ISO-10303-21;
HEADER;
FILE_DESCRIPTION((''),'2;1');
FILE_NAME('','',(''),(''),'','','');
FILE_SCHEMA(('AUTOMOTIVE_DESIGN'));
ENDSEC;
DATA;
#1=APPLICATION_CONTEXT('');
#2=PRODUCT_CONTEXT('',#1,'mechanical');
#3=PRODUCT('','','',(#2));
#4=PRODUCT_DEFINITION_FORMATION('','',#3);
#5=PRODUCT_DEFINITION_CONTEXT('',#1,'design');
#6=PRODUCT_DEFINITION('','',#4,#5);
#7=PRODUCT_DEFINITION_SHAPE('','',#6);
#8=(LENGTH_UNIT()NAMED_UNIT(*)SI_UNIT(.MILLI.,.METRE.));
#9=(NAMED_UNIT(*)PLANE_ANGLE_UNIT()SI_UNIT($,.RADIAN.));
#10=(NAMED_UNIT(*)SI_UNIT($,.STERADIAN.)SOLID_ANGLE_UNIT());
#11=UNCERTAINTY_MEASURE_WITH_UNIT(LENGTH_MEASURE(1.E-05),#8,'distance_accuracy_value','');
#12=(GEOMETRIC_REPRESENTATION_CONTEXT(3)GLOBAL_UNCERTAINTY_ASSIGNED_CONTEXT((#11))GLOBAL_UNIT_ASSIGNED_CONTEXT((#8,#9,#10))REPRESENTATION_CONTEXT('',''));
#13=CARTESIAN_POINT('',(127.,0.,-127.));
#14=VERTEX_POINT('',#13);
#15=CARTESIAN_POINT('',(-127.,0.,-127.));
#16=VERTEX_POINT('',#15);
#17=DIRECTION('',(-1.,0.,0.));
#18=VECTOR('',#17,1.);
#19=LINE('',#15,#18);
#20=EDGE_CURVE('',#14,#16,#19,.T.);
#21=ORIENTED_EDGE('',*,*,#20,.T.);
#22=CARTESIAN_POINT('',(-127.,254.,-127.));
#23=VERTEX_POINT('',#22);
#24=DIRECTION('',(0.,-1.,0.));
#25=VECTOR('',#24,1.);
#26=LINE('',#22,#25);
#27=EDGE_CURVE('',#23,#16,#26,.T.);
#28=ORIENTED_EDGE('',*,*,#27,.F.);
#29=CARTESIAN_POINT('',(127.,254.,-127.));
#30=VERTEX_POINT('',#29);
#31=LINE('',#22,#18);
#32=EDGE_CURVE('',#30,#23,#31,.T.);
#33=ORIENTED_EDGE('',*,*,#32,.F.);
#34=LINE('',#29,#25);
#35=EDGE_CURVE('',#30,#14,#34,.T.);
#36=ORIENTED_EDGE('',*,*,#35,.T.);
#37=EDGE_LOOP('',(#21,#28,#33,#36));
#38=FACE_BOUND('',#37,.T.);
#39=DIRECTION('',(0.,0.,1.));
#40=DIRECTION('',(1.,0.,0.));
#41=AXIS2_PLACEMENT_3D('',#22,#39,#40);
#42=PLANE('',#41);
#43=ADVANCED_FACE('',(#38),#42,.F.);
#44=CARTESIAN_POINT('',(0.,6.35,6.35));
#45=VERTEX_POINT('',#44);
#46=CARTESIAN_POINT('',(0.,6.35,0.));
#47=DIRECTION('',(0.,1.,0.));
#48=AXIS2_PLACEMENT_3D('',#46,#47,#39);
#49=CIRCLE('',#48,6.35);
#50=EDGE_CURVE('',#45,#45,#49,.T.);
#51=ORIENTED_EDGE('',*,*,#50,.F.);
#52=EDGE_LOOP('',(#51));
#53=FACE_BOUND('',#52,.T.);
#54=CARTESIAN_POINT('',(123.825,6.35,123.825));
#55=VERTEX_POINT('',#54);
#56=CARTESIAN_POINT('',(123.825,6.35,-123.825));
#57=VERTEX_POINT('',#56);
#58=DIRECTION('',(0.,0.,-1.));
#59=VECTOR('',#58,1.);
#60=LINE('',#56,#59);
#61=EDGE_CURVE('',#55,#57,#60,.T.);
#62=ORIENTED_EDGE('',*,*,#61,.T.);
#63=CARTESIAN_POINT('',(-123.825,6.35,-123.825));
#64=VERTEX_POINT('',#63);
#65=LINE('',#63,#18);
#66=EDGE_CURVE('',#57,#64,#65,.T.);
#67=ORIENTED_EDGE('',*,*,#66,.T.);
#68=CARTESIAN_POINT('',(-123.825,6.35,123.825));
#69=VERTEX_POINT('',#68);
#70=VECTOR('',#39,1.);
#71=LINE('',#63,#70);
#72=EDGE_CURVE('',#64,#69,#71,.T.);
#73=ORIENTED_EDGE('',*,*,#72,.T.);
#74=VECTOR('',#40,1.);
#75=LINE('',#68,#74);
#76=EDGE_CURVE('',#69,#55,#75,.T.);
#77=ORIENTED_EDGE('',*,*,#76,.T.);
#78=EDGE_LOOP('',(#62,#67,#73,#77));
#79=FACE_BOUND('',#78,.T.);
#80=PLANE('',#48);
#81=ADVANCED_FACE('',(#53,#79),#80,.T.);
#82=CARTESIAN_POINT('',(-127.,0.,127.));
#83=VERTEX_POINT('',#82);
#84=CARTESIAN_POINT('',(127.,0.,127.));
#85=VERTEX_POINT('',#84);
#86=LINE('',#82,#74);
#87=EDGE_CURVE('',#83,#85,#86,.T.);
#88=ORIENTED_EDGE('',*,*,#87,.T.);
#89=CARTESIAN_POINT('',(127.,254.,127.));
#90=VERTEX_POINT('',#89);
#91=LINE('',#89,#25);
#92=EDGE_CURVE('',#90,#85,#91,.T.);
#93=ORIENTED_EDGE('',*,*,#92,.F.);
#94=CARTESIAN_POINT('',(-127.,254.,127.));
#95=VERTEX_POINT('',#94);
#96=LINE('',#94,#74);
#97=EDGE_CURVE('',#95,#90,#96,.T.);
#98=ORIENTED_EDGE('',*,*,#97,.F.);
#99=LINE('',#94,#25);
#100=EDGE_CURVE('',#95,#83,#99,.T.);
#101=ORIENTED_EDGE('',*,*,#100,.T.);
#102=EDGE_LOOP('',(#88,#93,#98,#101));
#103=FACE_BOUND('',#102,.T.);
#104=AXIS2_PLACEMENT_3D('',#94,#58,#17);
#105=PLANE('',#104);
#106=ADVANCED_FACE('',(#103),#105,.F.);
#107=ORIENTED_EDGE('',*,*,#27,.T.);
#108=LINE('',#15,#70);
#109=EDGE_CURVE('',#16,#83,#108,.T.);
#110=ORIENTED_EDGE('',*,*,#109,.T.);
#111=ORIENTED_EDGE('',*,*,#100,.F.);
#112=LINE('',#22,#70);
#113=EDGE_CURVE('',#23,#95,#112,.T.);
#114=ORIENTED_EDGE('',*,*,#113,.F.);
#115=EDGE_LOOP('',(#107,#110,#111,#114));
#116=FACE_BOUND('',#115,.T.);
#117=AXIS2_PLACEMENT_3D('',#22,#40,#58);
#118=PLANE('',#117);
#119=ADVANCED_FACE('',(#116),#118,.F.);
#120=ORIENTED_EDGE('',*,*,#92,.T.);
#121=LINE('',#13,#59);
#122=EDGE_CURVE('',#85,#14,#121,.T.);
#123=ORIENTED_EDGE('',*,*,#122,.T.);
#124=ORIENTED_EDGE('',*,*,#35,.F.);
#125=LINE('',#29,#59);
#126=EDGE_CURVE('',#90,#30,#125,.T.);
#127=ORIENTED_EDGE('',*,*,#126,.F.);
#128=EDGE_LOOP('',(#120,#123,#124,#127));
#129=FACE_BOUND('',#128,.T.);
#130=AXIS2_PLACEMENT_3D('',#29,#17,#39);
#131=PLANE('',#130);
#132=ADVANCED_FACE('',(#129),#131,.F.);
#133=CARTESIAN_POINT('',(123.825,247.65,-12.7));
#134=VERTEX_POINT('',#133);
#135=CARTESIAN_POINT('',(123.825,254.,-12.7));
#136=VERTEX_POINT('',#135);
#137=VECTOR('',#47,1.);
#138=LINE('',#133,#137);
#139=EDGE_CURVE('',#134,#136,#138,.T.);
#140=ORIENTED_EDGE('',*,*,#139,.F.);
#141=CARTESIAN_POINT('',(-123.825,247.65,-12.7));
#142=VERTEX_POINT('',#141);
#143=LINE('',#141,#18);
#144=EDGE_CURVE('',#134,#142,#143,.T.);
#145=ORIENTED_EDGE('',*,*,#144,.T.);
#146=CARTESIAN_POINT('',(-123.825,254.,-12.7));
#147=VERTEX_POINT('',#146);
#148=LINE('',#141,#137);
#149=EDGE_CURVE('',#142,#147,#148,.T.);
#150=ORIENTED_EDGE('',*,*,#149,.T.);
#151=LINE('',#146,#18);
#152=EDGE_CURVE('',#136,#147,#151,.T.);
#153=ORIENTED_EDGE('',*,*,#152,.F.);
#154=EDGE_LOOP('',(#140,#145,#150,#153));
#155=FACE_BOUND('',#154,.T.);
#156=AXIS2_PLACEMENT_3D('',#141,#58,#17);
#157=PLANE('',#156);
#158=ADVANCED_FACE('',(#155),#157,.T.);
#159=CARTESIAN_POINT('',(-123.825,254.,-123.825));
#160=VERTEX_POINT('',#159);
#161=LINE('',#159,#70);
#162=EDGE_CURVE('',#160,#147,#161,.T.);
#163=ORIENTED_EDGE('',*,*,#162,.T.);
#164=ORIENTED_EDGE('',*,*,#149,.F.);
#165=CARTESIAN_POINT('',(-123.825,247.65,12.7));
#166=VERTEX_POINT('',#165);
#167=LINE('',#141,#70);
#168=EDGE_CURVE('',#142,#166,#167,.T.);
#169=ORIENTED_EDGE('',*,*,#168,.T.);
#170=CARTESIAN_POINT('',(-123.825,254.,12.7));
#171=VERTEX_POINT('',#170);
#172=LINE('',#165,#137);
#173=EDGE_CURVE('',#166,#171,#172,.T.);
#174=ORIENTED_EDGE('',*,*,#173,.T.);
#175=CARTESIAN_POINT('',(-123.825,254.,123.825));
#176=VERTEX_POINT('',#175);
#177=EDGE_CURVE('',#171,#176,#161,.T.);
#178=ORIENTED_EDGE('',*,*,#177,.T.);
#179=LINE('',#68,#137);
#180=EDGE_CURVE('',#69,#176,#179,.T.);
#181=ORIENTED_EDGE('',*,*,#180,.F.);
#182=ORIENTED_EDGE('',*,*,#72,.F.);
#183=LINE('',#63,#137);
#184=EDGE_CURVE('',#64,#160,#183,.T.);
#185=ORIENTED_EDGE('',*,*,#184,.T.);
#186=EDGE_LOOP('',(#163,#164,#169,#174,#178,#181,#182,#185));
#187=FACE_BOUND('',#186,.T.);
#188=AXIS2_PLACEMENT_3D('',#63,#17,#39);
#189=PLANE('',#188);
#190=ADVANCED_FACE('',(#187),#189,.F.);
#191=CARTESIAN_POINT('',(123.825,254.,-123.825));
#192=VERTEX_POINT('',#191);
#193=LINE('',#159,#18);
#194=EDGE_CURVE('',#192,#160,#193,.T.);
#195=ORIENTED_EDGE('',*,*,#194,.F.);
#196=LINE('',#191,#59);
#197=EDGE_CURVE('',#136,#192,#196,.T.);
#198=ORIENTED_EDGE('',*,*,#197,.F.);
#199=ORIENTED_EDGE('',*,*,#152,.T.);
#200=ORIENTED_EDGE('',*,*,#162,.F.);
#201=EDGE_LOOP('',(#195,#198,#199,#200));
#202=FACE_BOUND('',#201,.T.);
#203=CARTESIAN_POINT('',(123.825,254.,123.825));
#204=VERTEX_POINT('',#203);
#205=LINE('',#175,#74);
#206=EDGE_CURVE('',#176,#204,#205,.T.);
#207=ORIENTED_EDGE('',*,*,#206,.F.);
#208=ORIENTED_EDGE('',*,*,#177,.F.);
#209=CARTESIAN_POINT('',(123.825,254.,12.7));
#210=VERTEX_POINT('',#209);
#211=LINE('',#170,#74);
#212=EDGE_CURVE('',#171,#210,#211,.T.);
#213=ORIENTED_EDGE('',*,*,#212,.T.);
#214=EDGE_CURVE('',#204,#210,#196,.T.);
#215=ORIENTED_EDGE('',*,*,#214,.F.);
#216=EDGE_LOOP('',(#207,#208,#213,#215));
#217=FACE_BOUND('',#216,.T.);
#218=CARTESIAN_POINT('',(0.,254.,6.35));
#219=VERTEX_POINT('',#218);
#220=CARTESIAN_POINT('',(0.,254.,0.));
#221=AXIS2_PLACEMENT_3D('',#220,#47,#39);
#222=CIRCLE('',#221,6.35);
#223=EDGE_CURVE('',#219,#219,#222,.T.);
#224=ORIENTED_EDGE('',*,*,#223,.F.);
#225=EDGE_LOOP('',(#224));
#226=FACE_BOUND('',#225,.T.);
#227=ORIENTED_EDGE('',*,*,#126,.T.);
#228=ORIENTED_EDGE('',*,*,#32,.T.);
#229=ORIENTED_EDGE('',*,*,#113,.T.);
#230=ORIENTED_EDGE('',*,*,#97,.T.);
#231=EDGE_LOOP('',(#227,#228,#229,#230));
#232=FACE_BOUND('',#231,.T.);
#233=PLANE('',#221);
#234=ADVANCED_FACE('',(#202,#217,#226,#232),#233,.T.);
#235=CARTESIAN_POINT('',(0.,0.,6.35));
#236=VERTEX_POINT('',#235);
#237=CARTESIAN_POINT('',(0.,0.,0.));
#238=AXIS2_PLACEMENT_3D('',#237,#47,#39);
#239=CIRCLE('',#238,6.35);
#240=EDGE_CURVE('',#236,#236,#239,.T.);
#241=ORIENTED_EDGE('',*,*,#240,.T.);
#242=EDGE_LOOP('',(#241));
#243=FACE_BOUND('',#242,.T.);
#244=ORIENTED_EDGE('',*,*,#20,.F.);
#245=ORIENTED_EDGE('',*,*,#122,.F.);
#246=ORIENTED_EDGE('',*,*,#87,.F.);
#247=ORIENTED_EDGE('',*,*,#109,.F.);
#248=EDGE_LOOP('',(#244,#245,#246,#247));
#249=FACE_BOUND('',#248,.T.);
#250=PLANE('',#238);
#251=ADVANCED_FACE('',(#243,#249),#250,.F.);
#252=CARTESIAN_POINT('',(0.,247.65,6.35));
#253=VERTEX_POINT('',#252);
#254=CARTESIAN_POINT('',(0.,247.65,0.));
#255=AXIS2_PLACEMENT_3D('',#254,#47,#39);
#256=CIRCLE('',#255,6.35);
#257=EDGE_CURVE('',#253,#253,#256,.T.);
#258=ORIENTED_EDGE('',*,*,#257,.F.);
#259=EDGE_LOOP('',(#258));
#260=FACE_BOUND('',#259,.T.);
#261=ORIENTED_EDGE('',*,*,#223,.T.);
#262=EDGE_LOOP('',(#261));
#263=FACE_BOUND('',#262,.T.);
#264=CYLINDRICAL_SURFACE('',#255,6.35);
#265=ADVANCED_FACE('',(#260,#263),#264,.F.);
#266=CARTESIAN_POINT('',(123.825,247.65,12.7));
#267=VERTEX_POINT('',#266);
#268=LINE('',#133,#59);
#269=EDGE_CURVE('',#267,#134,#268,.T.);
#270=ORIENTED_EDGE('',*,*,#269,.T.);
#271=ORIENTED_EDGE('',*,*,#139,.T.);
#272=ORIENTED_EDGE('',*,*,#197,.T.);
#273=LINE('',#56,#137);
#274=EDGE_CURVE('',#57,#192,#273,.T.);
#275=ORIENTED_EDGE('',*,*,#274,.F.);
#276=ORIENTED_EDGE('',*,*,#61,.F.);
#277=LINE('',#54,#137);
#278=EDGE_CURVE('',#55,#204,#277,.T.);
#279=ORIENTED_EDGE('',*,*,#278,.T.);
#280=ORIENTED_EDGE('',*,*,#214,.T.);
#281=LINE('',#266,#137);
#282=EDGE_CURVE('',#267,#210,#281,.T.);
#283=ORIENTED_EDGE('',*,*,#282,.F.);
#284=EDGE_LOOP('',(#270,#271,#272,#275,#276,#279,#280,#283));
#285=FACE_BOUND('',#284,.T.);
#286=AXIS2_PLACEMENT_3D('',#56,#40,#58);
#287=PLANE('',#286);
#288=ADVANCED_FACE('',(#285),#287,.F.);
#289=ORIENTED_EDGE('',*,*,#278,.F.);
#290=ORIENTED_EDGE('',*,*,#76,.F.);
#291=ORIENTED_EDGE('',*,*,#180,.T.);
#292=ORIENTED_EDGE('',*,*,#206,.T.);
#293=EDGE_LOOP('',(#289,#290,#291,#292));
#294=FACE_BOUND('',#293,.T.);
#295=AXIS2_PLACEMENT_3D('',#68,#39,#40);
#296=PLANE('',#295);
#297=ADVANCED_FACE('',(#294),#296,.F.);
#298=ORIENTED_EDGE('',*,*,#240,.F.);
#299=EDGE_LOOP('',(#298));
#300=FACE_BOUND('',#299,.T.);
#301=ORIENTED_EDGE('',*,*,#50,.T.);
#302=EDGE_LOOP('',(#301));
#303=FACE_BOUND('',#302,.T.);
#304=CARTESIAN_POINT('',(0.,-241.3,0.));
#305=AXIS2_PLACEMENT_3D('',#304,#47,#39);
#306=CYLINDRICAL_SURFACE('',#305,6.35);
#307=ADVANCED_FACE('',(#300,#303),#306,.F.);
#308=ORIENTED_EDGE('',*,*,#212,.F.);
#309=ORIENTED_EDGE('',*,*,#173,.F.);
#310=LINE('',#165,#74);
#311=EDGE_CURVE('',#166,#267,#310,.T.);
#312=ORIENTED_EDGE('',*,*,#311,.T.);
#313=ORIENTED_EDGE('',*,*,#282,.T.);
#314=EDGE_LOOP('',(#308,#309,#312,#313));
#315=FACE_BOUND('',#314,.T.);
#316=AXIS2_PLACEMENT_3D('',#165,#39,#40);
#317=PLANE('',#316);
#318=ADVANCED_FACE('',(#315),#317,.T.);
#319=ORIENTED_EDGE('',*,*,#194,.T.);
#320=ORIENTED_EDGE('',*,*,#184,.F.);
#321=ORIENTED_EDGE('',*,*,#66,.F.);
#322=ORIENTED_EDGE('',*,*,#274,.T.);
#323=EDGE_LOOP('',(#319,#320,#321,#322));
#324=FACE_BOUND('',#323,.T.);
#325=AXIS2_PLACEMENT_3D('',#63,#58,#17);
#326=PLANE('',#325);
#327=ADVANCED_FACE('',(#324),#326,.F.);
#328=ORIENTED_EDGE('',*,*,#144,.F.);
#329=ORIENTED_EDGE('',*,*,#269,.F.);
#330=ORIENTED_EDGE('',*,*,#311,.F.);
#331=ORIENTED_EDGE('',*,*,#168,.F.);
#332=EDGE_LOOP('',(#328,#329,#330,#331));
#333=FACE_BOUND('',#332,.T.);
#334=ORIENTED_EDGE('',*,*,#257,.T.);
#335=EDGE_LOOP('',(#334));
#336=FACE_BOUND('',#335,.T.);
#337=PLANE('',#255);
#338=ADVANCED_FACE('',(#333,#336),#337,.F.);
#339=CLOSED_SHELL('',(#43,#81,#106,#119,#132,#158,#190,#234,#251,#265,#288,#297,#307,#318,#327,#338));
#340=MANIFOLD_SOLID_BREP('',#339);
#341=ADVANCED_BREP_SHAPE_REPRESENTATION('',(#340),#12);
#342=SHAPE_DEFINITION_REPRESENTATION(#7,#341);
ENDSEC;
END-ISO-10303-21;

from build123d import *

# Parameters (mm, degrees)
SKETCH1_W           = 254
SKETCH1_H           = 254
BOSS_EXTRUDE1_DEPTH = 254
SKETCH2_W           = 247.65
SKETCH2_H           = 247.65
CUT_EXTRUDE1_DEPTH  = 247.65
SKETCH3_R           = 6.35
CUT_EXTRUDE2_DEPTH  = 247.65
SKETCH4_W           = 247.65
SKETCH4_H           = 25.4
SKETCH4_R           = 6.35
BOSS_EXTRUDE2_DEPTH = 6.35


with BuildPart() as part:
    # Sketch1 → Boss-Extrude1 (new body)
    with BuildSketch(Plane(origin=(0, 0, 0), x_dir=(1, 0, 0), z_dir=(0, 1, 0))):
        Rectangle(SKETCH1_W, SKETCH1_H)
    extrude(amount=BOSS_EXTRUDE1_DEPTH)

    # Sketch2 → Cut-Extrude1 (cut)
    with BuildSketch(Plane(origin=(0, 254, 0), x_dir=(1, 0, 0), z_dir=(0, 1, 0))):
        Rectangle(SKETCH2_W, SKETCH2_H)
    extrude(amount=-CUT_EXTRUDE1_DEPTH, mode=Mode.SUBTRACT)

    # Sketch3 → Cut-Extrude2 (cut)
    with BuildSketch(Plane(origin=(0, 6.35, 0), x_dir=(1, 0, 0), z_dir=(0, 1, 0))):
        Circle(SKETCH3_R)
    extrude(amount=-CUT_EXTRUDE2_DEPTH, mode=Mode.SUBTRACT)

    # Sketch4 → Boss-Extrude2 (add)
    with BuildSketch(Plane(origin=(0, 254, 0), x_dir=(1, 0, 0), z_dir=(0, 1, 0))):
        Rectangle(SKETCH4_W, SKETCH4_H)
        Circle(SKETCH4_R, mode=Mode.SUBTRACT)
    extrude(amount=-BOSS_EXTRUDE2_DEPTH)


solid = part.part
